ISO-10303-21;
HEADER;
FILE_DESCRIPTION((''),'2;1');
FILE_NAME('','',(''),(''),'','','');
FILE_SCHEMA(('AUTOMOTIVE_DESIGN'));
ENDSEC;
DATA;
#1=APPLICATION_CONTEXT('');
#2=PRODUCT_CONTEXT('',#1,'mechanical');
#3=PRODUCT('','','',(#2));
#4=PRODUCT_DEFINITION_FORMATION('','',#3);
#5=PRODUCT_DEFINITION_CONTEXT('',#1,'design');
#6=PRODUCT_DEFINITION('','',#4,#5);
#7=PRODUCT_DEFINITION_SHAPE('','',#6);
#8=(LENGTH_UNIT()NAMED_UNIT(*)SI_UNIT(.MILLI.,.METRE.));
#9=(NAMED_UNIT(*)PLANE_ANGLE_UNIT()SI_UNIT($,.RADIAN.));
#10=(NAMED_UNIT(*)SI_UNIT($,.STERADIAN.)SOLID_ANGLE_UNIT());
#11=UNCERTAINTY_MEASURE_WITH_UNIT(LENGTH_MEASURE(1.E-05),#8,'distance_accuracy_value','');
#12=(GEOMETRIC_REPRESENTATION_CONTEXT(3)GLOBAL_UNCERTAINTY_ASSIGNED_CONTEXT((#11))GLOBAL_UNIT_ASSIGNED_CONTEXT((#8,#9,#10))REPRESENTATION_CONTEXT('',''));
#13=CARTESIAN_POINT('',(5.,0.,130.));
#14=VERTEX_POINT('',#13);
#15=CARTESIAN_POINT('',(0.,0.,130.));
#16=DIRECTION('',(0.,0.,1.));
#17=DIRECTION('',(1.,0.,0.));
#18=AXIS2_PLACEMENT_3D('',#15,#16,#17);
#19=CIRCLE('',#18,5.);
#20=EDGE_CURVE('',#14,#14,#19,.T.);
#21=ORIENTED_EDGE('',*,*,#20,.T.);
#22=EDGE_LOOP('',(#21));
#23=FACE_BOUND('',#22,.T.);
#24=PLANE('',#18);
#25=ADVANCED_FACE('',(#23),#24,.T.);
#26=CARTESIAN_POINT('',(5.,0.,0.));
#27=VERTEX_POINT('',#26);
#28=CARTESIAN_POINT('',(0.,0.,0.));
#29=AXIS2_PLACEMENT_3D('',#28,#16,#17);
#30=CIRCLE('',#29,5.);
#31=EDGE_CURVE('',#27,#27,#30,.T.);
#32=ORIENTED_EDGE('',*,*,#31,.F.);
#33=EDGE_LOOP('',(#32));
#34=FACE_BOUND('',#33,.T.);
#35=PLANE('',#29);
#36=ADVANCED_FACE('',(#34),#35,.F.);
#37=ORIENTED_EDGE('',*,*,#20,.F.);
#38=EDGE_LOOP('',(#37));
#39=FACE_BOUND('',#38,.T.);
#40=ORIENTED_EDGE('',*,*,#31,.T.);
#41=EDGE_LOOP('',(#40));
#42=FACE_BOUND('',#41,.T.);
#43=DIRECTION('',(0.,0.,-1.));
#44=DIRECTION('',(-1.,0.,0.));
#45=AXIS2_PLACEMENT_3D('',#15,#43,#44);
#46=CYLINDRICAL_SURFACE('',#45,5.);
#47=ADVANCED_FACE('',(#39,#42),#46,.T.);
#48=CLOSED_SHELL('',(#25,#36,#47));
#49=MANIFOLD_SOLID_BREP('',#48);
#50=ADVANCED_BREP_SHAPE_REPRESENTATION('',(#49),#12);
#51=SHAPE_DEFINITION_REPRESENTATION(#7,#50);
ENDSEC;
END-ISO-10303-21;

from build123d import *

# Parameters (mm, degrees)
SKETCH1_R           = 5
BOSS_EXTRUDE1_DEPTH = 130


with BuildPart() as part:
    # Sketch1 → Boss-Extrude1 (new body)
    with BuildSketch(Plane.XY):
        Circle(SKETCH1_R)
    extrude(amount=BOSS_EXTRUDE1_DEPTH)


solid = part.part
